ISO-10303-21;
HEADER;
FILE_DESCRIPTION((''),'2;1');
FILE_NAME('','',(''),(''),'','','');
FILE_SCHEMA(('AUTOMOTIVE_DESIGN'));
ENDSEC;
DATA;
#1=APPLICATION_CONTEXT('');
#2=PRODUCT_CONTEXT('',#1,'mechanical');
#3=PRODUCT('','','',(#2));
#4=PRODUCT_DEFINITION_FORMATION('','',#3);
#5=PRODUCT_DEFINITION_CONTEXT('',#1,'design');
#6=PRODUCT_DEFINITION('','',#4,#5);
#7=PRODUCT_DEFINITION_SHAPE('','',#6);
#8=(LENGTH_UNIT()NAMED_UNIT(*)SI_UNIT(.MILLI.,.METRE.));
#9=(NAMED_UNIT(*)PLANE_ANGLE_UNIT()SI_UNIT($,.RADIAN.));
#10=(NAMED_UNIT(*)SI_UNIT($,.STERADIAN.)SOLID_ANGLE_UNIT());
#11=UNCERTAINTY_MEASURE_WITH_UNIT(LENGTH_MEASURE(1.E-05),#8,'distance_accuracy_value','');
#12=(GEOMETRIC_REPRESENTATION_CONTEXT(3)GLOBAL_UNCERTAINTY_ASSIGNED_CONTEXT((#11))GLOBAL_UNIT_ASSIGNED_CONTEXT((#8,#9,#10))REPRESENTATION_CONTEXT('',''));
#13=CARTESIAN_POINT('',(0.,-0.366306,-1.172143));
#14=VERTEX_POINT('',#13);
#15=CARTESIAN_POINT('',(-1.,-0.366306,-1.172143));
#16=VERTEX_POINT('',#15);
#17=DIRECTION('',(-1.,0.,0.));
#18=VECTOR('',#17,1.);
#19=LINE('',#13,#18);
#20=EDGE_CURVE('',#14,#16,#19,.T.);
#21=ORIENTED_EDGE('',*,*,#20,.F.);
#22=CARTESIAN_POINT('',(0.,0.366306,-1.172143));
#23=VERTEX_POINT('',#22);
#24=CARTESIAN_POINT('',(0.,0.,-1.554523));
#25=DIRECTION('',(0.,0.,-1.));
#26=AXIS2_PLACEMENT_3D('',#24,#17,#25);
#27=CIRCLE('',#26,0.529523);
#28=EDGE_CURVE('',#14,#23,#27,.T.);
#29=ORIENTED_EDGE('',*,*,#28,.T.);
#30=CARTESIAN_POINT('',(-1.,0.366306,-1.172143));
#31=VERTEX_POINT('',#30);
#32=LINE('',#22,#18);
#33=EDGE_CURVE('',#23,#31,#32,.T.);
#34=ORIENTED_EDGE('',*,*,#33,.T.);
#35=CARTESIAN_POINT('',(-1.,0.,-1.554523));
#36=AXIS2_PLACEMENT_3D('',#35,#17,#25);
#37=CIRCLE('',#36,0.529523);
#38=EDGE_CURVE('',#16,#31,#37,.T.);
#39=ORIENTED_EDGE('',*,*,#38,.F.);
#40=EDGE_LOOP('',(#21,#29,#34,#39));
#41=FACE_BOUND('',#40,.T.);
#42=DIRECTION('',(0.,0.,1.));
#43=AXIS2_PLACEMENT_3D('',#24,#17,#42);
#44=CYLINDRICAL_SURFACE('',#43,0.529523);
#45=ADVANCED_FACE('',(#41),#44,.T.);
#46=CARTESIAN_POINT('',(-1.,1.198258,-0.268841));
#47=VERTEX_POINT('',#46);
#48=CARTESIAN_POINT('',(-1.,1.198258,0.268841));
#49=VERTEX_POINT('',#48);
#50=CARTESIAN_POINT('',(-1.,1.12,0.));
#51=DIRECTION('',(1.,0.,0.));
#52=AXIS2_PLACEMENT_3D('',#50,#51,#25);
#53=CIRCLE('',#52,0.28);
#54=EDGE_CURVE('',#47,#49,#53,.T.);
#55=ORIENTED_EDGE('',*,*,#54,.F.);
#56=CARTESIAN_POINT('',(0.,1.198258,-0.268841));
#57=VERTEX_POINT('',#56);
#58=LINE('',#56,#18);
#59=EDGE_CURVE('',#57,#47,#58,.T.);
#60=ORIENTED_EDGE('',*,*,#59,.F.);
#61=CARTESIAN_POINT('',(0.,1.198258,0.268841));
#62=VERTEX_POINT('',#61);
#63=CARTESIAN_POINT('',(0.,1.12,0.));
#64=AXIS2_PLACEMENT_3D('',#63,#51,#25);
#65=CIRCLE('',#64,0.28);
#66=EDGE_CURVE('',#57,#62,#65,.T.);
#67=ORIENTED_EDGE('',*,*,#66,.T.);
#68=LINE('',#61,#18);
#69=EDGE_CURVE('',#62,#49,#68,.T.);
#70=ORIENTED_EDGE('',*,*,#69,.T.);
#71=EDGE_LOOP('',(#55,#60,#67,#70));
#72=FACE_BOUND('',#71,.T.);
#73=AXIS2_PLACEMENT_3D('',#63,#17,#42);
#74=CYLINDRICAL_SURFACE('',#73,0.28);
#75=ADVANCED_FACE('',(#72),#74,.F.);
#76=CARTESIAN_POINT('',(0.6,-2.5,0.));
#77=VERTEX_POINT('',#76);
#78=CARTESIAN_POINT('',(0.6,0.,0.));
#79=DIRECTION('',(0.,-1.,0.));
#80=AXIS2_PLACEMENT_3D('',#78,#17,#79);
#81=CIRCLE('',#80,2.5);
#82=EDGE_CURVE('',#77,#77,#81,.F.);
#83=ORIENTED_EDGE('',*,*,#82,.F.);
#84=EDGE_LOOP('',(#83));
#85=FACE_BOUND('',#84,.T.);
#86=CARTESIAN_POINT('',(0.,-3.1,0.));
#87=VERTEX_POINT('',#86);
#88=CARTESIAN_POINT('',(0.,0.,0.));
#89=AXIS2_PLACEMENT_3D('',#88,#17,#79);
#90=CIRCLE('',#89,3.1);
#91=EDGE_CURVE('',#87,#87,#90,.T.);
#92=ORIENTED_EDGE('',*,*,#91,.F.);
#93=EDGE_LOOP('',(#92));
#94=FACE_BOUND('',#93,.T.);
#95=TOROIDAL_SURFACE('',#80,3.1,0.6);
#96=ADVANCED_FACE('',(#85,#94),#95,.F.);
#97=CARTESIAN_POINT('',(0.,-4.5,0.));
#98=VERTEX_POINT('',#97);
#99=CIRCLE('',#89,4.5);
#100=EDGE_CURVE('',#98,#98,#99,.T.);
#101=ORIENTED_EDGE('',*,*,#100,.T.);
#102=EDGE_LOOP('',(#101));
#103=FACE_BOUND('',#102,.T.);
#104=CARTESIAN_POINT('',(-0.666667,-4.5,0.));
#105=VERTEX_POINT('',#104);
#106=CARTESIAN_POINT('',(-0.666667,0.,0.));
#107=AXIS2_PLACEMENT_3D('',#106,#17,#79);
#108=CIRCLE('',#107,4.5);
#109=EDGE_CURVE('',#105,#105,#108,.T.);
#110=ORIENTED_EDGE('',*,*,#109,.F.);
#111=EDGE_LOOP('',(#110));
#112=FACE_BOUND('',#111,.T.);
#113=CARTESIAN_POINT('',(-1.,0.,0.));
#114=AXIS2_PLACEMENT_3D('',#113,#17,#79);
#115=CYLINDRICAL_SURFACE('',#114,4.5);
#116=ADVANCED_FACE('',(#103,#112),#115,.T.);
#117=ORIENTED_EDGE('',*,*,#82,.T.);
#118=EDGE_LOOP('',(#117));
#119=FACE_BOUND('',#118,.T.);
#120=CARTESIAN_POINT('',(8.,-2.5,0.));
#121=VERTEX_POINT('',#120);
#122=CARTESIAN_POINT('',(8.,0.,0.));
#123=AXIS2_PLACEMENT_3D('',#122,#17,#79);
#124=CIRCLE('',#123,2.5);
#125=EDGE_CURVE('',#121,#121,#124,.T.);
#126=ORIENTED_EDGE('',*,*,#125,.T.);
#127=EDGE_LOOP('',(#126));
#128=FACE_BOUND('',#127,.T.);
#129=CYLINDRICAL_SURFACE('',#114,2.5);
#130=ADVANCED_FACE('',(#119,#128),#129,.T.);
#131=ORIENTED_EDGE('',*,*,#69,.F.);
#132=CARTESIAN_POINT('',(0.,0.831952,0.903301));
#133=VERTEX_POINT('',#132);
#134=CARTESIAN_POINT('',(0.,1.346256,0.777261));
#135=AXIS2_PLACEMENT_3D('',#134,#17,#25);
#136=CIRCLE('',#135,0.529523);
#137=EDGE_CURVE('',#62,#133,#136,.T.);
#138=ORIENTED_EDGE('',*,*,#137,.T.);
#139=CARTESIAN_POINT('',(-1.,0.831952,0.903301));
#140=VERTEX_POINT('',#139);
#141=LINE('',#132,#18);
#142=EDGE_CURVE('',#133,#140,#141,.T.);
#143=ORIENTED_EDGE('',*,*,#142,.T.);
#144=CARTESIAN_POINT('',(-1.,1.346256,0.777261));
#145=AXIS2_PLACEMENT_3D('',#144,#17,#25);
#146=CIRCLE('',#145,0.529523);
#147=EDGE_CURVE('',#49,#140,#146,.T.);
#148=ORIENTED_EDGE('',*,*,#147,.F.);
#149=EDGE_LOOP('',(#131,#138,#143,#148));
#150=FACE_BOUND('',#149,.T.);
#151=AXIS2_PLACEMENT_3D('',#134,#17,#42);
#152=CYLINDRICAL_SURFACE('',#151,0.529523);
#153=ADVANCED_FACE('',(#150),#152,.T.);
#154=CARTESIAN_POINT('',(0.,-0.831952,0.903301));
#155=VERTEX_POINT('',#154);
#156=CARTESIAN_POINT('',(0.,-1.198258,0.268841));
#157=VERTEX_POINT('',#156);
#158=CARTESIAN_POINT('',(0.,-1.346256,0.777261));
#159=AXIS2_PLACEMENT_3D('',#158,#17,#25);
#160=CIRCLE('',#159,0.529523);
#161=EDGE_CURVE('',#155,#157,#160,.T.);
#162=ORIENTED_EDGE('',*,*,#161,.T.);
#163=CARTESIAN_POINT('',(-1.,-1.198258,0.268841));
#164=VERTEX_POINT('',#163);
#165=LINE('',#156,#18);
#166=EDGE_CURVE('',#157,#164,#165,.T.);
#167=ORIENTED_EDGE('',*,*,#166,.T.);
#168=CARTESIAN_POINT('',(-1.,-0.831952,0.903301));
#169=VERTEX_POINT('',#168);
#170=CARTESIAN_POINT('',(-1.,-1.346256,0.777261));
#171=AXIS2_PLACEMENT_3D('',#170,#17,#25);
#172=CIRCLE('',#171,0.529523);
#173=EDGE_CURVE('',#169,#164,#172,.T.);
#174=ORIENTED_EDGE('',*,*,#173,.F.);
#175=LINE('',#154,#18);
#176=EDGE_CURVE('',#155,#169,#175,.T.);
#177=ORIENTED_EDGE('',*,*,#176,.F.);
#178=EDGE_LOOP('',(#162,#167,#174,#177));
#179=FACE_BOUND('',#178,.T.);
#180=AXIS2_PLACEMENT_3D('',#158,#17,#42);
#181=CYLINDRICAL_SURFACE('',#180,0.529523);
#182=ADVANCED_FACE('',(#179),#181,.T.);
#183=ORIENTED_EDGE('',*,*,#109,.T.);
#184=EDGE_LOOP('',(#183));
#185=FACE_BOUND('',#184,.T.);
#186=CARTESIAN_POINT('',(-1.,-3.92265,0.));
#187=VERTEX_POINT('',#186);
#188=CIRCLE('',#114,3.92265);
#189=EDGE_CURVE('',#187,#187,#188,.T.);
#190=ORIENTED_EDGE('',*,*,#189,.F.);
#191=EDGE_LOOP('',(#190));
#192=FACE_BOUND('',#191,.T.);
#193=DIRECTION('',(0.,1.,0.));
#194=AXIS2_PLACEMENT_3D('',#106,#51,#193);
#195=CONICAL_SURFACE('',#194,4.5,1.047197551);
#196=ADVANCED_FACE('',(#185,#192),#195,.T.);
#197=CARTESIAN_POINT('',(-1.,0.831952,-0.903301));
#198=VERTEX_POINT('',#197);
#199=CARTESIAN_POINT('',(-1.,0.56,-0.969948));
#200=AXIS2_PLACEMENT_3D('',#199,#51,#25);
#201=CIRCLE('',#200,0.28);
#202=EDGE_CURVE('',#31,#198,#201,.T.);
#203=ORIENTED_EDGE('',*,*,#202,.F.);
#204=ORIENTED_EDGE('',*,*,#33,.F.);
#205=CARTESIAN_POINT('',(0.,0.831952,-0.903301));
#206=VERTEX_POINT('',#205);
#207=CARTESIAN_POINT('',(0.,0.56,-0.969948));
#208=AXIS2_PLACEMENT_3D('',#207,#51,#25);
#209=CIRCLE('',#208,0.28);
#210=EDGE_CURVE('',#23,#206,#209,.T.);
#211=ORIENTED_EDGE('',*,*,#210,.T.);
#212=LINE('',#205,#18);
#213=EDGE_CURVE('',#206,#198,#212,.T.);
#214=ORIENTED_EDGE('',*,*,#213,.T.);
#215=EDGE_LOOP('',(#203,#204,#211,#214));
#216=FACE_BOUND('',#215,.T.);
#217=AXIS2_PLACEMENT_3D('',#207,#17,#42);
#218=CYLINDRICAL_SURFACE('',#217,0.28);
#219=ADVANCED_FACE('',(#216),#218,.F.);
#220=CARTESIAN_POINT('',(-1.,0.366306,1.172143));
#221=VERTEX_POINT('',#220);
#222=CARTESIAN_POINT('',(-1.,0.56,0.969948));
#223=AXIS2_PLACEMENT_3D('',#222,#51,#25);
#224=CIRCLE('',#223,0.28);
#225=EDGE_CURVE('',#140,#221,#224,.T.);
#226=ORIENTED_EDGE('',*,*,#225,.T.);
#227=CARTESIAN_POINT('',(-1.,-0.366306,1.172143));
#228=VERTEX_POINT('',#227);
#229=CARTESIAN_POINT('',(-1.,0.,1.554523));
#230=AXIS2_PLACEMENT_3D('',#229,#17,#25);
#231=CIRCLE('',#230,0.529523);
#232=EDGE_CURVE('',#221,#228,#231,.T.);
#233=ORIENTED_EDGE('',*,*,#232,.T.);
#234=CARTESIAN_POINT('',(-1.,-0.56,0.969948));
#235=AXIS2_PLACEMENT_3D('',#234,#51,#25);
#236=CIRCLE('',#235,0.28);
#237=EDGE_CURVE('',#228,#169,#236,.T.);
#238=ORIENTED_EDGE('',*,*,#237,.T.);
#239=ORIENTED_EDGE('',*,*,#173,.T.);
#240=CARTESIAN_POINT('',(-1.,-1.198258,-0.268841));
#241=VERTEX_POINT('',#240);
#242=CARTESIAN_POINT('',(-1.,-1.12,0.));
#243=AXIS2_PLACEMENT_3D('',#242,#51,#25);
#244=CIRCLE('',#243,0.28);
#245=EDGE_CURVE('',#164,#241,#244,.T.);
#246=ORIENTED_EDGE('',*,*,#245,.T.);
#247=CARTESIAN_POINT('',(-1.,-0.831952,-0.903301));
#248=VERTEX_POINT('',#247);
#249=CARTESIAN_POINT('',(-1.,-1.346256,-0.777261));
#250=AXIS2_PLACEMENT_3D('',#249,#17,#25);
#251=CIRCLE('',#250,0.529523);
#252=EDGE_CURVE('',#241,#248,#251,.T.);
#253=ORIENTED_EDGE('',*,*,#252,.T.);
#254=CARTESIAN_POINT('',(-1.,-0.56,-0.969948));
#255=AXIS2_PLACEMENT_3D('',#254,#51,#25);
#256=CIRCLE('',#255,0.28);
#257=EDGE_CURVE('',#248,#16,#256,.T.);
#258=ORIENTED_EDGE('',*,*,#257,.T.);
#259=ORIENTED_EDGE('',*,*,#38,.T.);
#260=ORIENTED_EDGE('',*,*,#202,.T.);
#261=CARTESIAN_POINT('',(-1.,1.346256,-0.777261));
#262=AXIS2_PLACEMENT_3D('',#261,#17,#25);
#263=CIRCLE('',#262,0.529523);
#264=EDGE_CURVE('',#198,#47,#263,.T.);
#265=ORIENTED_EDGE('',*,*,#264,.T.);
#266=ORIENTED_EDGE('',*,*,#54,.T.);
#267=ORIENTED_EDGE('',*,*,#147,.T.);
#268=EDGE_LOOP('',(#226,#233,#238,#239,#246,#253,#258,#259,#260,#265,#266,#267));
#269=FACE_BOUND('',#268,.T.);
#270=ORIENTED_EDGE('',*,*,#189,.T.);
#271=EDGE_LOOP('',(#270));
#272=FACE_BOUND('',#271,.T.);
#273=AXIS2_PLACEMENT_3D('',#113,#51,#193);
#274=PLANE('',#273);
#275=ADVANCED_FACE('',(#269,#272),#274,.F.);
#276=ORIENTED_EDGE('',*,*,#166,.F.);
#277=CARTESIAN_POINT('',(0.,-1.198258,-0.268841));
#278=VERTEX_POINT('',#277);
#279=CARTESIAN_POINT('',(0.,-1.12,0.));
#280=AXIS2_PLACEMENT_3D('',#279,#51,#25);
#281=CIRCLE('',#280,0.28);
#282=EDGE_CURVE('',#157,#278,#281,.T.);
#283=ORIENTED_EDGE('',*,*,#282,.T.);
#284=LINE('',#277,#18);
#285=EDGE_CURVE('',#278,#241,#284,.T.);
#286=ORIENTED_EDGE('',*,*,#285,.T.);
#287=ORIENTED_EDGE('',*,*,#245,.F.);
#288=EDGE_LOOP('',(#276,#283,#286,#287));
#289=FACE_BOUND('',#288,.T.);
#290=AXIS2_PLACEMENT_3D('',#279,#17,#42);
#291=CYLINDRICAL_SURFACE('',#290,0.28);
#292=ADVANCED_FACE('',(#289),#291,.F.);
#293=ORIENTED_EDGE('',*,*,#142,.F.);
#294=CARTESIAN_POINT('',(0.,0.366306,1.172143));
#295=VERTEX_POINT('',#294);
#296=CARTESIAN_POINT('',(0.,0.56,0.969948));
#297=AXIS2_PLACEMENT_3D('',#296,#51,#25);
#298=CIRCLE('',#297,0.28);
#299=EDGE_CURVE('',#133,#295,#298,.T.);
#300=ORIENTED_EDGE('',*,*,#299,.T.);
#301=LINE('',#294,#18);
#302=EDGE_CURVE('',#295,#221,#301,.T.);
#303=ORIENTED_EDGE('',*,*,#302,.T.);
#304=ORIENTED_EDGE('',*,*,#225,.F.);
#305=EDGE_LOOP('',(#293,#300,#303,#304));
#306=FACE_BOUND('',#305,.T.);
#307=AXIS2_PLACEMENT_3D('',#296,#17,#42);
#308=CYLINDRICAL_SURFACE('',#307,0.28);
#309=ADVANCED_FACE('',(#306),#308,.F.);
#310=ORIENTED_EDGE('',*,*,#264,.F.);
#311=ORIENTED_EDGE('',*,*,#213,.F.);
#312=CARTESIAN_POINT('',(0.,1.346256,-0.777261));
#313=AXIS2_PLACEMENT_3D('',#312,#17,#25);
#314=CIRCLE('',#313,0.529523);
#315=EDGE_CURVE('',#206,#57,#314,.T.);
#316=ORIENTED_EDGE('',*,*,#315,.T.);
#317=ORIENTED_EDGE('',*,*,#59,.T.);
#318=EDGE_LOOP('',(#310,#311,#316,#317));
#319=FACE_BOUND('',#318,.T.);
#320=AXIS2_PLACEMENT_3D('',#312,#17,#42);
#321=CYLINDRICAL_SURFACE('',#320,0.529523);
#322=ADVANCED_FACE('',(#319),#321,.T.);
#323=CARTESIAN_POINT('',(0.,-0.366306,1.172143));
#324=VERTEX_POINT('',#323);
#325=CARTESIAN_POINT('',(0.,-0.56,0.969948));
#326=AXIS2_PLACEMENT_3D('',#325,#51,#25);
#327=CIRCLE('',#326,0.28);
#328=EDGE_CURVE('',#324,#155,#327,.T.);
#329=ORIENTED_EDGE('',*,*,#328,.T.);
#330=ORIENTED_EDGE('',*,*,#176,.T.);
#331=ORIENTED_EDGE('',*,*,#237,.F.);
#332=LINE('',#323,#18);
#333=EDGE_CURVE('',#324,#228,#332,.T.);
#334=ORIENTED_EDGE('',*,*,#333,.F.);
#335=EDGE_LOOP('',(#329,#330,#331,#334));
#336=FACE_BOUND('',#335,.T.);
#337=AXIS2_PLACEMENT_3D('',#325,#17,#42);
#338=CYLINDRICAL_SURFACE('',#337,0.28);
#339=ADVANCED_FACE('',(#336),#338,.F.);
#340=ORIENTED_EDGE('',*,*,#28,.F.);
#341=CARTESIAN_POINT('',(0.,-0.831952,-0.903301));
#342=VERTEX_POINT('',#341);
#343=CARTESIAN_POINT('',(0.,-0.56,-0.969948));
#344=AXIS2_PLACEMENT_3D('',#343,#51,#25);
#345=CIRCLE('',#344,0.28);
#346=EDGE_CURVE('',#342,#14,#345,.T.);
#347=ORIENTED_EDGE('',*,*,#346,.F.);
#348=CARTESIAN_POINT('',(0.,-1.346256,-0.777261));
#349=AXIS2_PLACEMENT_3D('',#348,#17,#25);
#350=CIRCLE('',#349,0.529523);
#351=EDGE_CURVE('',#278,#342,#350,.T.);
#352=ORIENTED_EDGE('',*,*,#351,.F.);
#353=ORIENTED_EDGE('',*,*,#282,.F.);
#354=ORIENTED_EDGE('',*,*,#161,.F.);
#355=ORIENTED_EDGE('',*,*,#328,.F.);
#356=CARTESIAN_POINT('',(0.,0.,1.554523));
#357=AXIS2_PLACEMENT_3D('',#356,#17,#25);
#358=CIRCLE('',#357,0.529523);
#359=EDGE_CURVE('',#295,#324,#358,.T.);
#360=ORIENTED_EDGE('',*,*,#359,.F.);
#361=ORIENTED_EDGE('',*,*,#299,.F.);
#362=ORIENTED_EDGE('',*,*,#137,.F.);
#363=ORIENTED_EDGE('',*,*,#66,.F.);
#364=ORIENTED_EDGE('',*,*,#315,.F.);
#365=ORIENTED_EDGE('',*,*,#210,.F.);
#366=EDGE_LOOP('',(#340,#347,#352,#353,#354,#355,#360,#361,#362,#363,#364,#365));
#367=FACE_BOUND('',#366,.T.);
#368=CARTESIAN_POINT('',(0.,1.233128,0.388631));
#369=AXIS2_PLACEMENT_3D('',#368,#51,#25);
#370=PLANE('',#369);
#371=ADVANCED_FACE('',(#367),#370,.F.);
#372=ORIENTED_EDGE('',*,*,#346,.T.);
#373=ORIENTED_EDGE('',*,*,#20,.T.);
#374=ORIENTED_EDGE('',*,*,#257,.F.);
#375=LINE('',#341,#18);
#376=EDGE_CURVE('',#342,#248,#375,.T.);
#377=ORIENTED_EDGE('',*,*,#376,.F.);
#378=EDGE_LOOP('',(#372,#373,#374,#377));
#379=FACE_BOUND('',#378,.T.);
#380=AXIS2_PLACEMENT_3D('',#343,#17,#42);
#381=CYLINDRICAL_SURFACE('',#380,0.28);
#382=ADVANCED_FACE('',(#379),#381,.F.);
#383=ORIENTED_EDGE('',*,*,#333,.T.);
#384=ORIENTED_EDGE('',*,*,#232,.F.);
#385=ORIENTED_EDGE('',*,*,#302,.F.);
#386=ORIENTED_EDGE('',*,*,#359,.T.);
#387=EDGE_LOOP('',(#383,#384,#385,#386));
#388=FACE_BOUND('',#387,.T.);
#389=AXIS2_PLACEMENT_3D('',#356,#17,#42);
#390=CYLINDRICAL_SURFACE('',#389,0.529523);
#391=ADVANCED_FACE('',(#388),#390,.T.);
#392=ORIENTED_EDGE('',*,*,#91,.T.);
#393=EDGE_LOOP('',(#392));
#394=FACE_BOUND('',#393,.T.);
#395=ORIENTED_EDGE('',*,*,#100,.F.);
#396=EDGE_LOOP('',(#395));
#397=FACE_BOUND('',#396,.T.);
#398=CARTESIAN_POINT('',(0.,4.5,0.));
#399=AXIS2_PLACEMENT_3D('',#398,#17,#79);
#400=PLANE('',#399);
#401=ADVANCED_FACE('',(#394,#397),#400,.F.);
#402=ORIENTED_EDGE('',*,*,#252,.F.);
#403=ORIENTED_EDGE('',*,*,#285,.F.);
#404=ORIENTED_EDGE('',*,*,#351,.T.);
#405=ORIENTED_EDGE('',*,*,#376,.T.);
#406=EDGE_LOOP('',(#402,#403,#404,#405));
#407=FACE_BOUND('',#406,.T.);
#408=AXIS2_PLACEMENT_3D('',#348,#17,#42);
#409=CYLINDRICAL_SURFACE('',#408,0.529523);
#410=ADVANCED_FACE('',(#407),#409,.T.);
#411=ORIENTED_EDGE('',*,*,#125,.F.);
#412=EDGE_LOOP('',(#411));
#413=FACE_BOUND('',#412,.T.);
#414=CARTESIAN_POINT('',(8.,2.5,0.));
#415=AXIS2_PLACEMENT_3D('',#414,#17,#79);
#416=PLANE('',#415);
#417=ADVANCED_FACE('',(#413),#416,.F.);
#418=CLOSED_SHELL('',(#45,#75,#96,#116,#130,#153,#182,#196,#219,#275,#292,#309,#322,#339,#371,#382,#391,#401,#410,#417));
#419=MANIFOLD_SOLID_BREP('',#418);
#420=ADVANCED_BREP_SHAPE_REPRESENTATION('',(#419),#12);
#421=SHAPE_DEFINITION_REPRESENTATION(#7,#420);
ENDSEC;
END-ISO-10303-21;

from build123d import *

# Parameters (mm, degrees)
CUT_EXTRUDE1_DEPTH = 1
FILLET1_R          = 0.6


with BuildPart() as part:
    # Sketch1 → Revolve1 (revolve)
    with BuildSketch(Plane.XY):
        Polygon((0, 2.5), (8, 2.5), (8, 0), (-1, 0), (-1, 3.922649731), (-0.666666667, 4.5), (0, 4.5), align=None)
    revolve(axis=Axis((-1, 0, 0), (1, 0, 0)))

    # Sketch2 → Cut-Extrude1 (cut)
    with BuildSketch(Plane(origin=(-1, 0, 0), x_dir=(0, 0, -1), z_dir=(1, 0, 0))):
        with BuildLine():
            ThreePointArc((0.268841336, 1.198258139), (0, 1.4), (-0.268841336, 1.198258139))
            ThreePointArc((-0.268841336, 1.198258139), (-0.5125, 0.887676039), (-0.903301321, 0.831952496))
            ThreePointArc((-0.903301321, 0.831952496), (-1.212435565, 0.7), (-1.172142656, 0.366305643))
            ThreePointArc((-1.172142656, 0.366305643), (-1.025, 0), (-1.172142656, -0.366305643))
            ThreePointArc((-1.172142656, -0.366305643), (-1.212435565, -0.7), (-0.903301321, -0.831952496))
            ThreePointArc((-0.903301321, -0.831952496), (-0.5125, -0.887676039), (-0.268841336, -1.198258139))
            ThreePointArc((-0.268841336, -1.198258139), (0, -1.4), (0.268841336, -1.198258139))
            ThreePointArc((0.268841336, -1.198258139), (0.5125, -0.887676039), (0.903301321, -0.831952496))
            ThreePointArc((0.903301321, -0.831952496), (1.212435565, -0.7), (1.172142656, -0.366305643))
            ThreePointArc((1.172142656, -0.366305643), (1.025, 0), (1.172142656, 0.366305643))
            ThreePointArc((1.172142656, 0.366305643), (1.212435565, 0.7), (0.903301321, 0.831952496))
            ThreePointArc((0.903301321, 0.831952496), (0.5125, 0.887676039), (0.268841336, 1.198258139))
        make_face()
    extrude(amount=CUT_EXTRUDE1_DEPTH, mode=Mode.SUBTRACT)

    # Fillet1
    fillet1_edges = [part.edges().sort_by_distance(p)[0] for p in [
        (0, -2.5, 0),
    ]]
    fillet(fillet1_edges, radius=FILLET1_R)


solid = part.part
